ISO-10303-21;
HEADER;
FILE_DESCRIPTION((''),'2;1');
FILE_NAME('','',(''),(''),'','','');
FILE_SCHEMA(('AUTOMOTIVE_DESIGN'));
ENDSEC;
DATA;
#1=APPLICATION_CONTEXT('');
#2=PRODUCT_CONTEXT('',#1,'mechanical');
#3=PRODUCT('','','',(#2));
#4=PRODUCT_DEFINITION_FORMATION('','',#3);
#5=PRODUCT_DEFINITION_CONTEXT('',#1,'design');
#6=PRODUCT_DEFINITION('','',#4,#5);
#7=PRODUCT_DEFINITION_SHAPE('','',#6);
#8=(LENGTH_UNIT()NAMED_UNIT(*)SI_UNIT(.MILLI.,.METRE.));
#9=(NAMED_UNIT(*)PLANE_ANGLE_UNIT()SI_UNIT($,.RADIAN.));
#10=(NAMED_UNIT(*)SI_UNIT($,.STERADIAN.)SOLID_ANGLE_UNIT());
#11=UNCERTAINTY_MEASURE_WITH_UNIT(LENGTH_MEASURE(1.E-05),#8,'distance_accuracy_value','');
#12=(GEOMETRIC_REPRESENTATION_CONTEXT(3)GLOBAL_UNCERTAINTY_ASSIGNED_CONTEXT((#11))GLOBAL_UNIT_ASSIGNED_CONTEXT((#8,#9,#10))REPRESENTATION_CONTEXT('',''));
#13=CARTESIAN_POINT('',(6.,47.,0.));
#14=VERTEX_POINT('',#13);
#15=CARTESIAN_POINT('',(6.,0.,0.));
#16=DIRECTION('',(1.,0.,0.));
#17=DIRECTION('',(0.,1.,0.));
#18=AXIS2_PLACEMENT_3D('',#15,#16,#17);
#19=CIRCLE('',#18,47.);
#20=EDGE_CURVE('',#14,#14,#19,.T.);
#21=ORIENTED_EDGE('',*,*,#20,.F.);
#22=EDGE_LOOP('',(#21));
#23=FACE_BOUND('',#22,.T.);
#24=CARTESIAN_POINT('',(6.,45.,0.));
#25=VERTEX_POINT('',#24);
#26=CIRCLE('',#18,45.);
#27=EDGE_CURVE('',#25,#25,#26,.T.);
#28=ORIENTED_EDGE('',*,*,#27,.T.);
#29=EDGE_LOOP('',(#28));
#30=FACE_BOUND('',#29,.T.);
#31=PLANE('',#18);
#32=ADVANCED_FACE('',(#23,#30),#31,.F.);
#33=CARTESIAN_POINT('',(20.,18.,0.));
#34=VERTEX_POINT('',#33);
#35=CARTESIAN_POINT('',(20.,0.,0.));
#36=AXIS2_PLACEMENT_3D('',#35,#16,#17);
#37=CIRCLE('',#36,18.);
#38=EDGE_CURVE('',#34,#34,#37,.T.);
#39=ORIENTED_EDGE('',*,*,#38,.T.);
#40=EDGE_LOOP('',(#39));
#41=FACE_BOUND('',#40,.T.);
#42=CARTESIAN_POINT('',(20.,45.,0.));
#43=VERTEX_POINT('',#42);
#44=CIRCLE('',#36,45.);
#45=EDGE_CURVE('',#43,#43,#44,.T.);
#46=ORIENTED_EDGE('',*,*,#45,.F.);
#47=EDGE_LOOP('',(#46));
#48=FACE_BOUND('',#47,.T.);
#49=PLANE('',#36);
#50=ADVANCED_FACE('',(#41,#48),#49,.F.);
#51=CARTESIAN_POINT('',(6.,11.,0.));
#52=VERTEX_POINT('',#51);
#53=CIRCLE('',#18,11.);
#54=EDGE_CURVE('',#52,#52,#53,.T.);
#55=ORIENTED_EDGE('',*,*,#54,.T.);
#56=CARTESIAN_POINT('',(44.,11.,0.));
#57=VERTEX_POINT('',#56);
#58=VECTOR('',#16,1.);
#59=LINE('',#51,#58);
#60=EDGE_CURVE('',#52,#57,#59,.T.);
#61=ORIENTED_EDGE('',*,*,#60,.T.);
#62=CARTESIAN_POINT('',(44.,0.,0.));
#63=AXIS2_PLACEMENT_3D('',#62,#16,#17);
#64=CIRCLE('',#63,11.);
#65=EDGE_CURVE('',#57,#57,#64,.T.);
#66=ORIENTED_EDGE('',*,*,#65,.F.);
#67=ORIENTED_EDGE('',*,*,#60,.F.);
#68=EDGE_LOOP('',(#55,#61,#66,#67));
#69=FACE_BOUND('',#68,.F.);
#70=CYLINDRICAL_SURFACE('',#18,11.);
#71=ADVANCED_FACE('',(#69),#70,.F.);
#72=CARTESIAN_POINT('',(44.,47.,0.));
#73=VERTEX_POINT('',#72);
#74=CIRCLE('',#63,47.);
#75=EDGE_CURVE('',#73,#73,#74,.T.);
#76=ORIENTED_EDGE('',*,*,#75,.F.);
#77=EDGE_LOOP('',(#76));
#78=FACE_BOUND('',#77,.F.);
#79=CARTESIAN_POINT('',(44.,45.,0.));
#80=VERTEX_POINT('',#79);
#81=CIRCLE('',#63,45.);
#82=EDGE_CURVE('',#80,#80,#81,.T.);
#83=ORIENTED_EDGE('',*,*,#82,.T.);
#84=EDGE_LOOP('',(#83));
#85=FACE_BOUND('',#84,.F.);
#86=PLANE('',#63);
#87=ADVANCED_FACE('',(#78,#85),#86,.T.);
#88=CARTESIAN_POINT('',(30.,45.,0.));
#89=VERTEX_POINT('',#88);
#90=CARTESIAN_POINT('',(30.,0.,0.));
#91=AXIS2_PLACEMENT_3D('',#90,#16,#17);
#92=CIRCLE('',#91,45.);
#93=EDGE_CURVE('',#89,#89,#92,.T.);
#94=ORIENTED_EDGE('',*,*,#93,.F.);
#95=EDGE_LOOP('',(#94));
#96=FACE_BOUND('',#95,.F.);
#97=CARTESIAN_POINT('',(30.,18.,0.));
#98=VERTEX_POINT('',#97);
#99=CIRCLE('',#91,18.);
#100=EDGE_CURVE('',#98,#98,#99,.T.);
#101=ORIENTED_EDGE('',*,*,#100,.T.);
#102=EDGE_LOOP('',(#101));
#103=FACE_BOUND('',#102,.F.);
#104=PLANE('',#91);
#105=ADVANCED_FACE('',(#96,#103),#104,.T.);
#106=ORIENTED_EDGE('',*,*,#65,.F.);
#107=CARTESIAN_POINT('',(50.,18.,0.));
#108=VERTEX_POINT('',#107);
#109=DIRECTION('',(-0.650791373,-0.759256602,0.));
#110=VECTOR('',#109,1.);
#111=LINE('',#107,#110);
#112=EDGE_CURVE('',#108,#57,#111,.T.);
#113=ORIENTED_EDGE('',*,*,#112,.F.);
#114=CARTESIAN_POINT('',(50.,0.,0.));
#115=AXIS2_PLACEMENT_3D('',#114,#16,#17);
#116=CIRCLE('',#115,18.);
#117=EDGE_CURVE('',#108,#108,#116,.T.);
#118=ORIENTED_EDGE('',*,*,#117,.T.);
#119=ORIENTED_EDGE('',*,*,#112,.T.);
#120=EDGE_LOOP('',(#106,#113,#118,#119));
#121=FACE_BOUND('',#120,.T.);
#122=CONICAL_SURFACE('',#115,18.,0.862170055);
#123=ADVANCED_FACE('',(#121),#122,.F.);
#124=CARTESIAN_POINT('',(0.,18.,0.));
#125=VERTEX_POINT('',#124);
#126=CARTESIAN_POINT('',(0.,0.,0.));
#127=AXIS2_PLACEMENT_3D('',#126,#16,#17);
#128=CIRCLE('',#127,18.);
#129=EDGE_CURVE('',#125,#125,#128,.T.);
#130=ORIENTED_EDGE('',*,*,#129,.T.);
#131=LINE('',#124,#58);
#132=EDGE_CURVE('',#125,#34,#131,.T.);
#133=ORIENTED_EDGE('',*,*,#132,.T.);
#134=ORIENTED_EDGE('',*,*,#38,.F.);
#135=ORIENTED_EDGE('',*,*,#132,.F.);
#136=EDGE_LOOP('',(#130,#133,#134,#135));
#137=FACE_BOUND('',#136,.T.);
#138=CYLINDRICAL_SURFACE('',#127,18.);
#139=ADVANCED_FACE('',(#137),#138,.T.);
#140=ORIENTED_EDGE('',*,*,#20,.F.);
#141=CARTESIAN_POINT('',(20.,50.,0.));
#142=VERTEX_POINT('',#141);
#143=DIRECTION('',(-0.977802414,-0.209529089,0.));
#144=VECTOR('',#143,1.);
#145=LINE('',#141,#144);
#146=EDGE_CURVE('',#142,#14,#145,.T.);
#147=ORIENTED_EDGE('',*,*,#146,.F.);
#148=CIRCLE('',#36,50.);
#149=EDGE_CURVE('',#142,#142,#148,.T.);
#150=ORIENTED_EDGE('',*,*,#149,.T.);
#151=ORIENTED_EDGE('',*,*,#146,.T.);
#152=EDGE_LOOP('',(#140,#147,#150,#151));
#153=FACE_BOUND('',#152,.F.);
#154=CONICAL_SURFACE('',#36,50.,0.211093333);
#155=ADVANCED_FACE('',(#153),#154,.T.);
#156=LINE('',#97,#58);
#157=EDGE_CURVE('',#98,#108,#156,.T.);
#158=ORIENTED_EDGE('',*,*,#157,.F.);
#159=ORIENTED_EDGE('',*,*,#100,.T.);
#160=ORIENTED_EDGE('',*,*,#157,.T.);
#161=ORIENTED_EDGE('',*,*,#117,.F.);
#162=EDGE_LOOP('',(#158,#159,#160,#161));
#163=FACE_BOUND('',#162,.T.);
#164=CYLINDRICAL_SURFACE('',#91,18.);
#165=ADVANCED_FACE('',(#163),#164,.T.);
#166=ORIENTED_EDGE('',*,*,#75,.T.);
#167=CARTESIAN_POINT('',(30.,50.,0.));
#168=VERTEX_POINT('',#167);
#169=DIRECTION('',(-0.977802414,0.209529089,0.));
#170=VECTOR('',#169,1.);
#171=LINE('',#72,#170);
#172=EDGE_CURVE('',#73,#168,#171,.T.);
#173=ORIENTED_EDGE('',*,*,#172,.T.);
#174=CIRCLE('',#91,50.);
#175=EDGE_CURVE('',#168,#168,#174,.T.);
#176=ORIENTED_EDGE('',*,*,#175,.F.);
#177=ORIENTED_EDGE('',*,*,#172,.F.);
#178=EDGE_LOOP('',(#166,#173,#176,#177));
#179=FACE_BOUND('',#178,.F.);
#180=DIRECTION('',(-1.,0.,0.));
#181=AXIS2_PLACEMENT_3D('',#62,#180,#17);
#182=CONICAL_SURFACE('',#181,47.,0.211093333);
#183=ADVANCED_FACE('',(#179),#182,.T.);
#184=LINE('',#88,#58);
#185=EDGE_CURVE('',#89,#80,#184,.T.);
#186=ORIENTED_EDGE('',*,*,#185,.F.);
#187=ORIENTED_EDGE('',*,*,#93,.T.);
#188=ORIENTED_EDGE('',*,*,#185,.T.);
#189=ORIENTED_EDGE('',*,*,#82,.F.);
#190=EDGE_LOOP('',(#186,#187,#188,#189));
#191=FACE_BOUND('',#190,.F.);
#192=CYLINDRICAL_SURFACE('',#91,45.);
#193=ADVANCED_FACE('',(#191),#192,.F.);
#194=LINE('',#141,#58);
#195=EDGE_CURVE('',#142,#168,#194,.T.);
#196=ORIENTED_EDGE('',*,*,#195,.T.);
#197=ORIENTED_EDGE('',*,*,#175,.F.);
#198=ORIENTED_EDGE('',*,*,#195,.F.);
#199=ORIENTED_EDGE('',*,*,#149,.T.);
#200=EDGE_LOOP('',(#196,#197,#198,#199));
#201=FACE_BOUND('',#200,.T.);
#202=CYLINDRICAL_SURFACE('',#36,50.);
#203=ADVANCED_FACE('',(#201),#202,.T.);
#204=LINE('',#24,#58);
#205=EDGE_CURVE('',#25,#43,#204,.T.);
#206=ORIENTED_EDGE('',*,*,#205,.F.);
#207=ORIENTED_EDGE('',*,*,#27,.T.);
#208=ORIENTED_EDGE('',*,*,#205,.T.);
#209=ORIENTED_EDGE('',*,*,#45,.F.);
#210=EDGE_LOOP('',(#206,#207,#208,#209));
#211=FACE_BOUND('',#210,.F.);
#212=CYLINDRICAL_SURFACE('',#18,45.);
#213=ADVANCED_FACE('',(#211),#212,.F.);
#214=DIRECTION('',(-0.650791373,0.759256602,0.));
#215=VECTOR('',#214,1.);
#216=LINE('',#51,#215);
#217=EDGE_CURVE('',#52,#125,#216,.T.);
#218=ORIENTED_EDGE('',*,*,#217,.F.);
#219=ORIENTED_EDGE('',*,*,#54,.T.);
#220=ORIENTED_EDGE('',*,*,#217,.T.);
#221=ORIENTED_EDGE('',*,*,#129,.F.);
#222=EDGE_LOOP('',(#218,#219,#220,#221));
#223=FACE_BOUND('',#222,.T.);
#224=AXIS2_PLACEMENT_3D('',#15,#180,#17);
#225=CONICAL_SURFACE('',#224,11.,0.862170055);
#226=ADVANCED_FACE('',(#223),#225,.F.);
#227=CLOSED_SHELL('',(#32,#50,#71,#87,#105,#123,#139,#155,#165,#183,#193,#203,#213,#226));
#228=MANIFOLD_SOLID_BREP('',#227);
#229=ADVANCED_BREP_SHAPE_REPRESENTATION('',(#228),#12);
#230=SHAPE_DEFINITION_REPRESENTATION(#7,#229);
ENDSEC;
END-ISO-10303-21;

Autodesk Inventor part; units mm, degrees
ref_plane "YZ Plane" through (0, 0, 0) normal (1, 0, 0) x (0, 1, 0)
ref_plane "XZ Plane" through (0, 0, 0) normal (0, 1, 0) x (-1, 0, 0)
ref_plane "XY Plane" through (0, 0, 0) normal (0, 0, 1) x (1, 0, 0)
sketch "Sketch1" plane through (0, 0, 0) normal (0, 0, 1) x (1, 0, 0)
  line L0 (0, 0) -> (50, 0)
  line L1 (6, 11) -> (44, 11)
  line L2 (20, 50) -> (30, 50)
  line L3 (20, 18) -> (20, 45)
  line L4 (30, 18) -> (30, 45)
  line L5 (0, 18) -> (20, 18)
  line L6 (30, 18) -> (50, 18)
  line L7 (44, 45) -> (44, 47)
  line L8 (6, 45) -> (6, 47)
  line L9 (44, 47) -> (30, 50)
  line L10 (20, 50) -> (6, 47)
  line L11 (6, 45) -> (20, 45)
  line L12 (30, 45) -> (44, 45)
  line L13 (50, 18) -> (44, 11)
  line L14 (6, 11) -> (0, 18)
  dimension "d0" = 50
  dimension "d2" = 38
  dimension "d3" = 11
  dimension "d4" = 39
  dimension "d8" = 10
  dimension "d9" = 20
  dimension "d12" = 2
  dimension "d13" = 2
  dimension "d14" = 18
  dimension "d15" = 26.2486
  dimension "d16" = 11.7142
  dimension "d17" = 18
  dimension "d18" = 45
revolve "Revolution1" add sketch "Sketch1" angle 360 about axis through (0, 0, 0) along (1, 0, 0)
properties part number "wheel" material "Iron, Malleable"
